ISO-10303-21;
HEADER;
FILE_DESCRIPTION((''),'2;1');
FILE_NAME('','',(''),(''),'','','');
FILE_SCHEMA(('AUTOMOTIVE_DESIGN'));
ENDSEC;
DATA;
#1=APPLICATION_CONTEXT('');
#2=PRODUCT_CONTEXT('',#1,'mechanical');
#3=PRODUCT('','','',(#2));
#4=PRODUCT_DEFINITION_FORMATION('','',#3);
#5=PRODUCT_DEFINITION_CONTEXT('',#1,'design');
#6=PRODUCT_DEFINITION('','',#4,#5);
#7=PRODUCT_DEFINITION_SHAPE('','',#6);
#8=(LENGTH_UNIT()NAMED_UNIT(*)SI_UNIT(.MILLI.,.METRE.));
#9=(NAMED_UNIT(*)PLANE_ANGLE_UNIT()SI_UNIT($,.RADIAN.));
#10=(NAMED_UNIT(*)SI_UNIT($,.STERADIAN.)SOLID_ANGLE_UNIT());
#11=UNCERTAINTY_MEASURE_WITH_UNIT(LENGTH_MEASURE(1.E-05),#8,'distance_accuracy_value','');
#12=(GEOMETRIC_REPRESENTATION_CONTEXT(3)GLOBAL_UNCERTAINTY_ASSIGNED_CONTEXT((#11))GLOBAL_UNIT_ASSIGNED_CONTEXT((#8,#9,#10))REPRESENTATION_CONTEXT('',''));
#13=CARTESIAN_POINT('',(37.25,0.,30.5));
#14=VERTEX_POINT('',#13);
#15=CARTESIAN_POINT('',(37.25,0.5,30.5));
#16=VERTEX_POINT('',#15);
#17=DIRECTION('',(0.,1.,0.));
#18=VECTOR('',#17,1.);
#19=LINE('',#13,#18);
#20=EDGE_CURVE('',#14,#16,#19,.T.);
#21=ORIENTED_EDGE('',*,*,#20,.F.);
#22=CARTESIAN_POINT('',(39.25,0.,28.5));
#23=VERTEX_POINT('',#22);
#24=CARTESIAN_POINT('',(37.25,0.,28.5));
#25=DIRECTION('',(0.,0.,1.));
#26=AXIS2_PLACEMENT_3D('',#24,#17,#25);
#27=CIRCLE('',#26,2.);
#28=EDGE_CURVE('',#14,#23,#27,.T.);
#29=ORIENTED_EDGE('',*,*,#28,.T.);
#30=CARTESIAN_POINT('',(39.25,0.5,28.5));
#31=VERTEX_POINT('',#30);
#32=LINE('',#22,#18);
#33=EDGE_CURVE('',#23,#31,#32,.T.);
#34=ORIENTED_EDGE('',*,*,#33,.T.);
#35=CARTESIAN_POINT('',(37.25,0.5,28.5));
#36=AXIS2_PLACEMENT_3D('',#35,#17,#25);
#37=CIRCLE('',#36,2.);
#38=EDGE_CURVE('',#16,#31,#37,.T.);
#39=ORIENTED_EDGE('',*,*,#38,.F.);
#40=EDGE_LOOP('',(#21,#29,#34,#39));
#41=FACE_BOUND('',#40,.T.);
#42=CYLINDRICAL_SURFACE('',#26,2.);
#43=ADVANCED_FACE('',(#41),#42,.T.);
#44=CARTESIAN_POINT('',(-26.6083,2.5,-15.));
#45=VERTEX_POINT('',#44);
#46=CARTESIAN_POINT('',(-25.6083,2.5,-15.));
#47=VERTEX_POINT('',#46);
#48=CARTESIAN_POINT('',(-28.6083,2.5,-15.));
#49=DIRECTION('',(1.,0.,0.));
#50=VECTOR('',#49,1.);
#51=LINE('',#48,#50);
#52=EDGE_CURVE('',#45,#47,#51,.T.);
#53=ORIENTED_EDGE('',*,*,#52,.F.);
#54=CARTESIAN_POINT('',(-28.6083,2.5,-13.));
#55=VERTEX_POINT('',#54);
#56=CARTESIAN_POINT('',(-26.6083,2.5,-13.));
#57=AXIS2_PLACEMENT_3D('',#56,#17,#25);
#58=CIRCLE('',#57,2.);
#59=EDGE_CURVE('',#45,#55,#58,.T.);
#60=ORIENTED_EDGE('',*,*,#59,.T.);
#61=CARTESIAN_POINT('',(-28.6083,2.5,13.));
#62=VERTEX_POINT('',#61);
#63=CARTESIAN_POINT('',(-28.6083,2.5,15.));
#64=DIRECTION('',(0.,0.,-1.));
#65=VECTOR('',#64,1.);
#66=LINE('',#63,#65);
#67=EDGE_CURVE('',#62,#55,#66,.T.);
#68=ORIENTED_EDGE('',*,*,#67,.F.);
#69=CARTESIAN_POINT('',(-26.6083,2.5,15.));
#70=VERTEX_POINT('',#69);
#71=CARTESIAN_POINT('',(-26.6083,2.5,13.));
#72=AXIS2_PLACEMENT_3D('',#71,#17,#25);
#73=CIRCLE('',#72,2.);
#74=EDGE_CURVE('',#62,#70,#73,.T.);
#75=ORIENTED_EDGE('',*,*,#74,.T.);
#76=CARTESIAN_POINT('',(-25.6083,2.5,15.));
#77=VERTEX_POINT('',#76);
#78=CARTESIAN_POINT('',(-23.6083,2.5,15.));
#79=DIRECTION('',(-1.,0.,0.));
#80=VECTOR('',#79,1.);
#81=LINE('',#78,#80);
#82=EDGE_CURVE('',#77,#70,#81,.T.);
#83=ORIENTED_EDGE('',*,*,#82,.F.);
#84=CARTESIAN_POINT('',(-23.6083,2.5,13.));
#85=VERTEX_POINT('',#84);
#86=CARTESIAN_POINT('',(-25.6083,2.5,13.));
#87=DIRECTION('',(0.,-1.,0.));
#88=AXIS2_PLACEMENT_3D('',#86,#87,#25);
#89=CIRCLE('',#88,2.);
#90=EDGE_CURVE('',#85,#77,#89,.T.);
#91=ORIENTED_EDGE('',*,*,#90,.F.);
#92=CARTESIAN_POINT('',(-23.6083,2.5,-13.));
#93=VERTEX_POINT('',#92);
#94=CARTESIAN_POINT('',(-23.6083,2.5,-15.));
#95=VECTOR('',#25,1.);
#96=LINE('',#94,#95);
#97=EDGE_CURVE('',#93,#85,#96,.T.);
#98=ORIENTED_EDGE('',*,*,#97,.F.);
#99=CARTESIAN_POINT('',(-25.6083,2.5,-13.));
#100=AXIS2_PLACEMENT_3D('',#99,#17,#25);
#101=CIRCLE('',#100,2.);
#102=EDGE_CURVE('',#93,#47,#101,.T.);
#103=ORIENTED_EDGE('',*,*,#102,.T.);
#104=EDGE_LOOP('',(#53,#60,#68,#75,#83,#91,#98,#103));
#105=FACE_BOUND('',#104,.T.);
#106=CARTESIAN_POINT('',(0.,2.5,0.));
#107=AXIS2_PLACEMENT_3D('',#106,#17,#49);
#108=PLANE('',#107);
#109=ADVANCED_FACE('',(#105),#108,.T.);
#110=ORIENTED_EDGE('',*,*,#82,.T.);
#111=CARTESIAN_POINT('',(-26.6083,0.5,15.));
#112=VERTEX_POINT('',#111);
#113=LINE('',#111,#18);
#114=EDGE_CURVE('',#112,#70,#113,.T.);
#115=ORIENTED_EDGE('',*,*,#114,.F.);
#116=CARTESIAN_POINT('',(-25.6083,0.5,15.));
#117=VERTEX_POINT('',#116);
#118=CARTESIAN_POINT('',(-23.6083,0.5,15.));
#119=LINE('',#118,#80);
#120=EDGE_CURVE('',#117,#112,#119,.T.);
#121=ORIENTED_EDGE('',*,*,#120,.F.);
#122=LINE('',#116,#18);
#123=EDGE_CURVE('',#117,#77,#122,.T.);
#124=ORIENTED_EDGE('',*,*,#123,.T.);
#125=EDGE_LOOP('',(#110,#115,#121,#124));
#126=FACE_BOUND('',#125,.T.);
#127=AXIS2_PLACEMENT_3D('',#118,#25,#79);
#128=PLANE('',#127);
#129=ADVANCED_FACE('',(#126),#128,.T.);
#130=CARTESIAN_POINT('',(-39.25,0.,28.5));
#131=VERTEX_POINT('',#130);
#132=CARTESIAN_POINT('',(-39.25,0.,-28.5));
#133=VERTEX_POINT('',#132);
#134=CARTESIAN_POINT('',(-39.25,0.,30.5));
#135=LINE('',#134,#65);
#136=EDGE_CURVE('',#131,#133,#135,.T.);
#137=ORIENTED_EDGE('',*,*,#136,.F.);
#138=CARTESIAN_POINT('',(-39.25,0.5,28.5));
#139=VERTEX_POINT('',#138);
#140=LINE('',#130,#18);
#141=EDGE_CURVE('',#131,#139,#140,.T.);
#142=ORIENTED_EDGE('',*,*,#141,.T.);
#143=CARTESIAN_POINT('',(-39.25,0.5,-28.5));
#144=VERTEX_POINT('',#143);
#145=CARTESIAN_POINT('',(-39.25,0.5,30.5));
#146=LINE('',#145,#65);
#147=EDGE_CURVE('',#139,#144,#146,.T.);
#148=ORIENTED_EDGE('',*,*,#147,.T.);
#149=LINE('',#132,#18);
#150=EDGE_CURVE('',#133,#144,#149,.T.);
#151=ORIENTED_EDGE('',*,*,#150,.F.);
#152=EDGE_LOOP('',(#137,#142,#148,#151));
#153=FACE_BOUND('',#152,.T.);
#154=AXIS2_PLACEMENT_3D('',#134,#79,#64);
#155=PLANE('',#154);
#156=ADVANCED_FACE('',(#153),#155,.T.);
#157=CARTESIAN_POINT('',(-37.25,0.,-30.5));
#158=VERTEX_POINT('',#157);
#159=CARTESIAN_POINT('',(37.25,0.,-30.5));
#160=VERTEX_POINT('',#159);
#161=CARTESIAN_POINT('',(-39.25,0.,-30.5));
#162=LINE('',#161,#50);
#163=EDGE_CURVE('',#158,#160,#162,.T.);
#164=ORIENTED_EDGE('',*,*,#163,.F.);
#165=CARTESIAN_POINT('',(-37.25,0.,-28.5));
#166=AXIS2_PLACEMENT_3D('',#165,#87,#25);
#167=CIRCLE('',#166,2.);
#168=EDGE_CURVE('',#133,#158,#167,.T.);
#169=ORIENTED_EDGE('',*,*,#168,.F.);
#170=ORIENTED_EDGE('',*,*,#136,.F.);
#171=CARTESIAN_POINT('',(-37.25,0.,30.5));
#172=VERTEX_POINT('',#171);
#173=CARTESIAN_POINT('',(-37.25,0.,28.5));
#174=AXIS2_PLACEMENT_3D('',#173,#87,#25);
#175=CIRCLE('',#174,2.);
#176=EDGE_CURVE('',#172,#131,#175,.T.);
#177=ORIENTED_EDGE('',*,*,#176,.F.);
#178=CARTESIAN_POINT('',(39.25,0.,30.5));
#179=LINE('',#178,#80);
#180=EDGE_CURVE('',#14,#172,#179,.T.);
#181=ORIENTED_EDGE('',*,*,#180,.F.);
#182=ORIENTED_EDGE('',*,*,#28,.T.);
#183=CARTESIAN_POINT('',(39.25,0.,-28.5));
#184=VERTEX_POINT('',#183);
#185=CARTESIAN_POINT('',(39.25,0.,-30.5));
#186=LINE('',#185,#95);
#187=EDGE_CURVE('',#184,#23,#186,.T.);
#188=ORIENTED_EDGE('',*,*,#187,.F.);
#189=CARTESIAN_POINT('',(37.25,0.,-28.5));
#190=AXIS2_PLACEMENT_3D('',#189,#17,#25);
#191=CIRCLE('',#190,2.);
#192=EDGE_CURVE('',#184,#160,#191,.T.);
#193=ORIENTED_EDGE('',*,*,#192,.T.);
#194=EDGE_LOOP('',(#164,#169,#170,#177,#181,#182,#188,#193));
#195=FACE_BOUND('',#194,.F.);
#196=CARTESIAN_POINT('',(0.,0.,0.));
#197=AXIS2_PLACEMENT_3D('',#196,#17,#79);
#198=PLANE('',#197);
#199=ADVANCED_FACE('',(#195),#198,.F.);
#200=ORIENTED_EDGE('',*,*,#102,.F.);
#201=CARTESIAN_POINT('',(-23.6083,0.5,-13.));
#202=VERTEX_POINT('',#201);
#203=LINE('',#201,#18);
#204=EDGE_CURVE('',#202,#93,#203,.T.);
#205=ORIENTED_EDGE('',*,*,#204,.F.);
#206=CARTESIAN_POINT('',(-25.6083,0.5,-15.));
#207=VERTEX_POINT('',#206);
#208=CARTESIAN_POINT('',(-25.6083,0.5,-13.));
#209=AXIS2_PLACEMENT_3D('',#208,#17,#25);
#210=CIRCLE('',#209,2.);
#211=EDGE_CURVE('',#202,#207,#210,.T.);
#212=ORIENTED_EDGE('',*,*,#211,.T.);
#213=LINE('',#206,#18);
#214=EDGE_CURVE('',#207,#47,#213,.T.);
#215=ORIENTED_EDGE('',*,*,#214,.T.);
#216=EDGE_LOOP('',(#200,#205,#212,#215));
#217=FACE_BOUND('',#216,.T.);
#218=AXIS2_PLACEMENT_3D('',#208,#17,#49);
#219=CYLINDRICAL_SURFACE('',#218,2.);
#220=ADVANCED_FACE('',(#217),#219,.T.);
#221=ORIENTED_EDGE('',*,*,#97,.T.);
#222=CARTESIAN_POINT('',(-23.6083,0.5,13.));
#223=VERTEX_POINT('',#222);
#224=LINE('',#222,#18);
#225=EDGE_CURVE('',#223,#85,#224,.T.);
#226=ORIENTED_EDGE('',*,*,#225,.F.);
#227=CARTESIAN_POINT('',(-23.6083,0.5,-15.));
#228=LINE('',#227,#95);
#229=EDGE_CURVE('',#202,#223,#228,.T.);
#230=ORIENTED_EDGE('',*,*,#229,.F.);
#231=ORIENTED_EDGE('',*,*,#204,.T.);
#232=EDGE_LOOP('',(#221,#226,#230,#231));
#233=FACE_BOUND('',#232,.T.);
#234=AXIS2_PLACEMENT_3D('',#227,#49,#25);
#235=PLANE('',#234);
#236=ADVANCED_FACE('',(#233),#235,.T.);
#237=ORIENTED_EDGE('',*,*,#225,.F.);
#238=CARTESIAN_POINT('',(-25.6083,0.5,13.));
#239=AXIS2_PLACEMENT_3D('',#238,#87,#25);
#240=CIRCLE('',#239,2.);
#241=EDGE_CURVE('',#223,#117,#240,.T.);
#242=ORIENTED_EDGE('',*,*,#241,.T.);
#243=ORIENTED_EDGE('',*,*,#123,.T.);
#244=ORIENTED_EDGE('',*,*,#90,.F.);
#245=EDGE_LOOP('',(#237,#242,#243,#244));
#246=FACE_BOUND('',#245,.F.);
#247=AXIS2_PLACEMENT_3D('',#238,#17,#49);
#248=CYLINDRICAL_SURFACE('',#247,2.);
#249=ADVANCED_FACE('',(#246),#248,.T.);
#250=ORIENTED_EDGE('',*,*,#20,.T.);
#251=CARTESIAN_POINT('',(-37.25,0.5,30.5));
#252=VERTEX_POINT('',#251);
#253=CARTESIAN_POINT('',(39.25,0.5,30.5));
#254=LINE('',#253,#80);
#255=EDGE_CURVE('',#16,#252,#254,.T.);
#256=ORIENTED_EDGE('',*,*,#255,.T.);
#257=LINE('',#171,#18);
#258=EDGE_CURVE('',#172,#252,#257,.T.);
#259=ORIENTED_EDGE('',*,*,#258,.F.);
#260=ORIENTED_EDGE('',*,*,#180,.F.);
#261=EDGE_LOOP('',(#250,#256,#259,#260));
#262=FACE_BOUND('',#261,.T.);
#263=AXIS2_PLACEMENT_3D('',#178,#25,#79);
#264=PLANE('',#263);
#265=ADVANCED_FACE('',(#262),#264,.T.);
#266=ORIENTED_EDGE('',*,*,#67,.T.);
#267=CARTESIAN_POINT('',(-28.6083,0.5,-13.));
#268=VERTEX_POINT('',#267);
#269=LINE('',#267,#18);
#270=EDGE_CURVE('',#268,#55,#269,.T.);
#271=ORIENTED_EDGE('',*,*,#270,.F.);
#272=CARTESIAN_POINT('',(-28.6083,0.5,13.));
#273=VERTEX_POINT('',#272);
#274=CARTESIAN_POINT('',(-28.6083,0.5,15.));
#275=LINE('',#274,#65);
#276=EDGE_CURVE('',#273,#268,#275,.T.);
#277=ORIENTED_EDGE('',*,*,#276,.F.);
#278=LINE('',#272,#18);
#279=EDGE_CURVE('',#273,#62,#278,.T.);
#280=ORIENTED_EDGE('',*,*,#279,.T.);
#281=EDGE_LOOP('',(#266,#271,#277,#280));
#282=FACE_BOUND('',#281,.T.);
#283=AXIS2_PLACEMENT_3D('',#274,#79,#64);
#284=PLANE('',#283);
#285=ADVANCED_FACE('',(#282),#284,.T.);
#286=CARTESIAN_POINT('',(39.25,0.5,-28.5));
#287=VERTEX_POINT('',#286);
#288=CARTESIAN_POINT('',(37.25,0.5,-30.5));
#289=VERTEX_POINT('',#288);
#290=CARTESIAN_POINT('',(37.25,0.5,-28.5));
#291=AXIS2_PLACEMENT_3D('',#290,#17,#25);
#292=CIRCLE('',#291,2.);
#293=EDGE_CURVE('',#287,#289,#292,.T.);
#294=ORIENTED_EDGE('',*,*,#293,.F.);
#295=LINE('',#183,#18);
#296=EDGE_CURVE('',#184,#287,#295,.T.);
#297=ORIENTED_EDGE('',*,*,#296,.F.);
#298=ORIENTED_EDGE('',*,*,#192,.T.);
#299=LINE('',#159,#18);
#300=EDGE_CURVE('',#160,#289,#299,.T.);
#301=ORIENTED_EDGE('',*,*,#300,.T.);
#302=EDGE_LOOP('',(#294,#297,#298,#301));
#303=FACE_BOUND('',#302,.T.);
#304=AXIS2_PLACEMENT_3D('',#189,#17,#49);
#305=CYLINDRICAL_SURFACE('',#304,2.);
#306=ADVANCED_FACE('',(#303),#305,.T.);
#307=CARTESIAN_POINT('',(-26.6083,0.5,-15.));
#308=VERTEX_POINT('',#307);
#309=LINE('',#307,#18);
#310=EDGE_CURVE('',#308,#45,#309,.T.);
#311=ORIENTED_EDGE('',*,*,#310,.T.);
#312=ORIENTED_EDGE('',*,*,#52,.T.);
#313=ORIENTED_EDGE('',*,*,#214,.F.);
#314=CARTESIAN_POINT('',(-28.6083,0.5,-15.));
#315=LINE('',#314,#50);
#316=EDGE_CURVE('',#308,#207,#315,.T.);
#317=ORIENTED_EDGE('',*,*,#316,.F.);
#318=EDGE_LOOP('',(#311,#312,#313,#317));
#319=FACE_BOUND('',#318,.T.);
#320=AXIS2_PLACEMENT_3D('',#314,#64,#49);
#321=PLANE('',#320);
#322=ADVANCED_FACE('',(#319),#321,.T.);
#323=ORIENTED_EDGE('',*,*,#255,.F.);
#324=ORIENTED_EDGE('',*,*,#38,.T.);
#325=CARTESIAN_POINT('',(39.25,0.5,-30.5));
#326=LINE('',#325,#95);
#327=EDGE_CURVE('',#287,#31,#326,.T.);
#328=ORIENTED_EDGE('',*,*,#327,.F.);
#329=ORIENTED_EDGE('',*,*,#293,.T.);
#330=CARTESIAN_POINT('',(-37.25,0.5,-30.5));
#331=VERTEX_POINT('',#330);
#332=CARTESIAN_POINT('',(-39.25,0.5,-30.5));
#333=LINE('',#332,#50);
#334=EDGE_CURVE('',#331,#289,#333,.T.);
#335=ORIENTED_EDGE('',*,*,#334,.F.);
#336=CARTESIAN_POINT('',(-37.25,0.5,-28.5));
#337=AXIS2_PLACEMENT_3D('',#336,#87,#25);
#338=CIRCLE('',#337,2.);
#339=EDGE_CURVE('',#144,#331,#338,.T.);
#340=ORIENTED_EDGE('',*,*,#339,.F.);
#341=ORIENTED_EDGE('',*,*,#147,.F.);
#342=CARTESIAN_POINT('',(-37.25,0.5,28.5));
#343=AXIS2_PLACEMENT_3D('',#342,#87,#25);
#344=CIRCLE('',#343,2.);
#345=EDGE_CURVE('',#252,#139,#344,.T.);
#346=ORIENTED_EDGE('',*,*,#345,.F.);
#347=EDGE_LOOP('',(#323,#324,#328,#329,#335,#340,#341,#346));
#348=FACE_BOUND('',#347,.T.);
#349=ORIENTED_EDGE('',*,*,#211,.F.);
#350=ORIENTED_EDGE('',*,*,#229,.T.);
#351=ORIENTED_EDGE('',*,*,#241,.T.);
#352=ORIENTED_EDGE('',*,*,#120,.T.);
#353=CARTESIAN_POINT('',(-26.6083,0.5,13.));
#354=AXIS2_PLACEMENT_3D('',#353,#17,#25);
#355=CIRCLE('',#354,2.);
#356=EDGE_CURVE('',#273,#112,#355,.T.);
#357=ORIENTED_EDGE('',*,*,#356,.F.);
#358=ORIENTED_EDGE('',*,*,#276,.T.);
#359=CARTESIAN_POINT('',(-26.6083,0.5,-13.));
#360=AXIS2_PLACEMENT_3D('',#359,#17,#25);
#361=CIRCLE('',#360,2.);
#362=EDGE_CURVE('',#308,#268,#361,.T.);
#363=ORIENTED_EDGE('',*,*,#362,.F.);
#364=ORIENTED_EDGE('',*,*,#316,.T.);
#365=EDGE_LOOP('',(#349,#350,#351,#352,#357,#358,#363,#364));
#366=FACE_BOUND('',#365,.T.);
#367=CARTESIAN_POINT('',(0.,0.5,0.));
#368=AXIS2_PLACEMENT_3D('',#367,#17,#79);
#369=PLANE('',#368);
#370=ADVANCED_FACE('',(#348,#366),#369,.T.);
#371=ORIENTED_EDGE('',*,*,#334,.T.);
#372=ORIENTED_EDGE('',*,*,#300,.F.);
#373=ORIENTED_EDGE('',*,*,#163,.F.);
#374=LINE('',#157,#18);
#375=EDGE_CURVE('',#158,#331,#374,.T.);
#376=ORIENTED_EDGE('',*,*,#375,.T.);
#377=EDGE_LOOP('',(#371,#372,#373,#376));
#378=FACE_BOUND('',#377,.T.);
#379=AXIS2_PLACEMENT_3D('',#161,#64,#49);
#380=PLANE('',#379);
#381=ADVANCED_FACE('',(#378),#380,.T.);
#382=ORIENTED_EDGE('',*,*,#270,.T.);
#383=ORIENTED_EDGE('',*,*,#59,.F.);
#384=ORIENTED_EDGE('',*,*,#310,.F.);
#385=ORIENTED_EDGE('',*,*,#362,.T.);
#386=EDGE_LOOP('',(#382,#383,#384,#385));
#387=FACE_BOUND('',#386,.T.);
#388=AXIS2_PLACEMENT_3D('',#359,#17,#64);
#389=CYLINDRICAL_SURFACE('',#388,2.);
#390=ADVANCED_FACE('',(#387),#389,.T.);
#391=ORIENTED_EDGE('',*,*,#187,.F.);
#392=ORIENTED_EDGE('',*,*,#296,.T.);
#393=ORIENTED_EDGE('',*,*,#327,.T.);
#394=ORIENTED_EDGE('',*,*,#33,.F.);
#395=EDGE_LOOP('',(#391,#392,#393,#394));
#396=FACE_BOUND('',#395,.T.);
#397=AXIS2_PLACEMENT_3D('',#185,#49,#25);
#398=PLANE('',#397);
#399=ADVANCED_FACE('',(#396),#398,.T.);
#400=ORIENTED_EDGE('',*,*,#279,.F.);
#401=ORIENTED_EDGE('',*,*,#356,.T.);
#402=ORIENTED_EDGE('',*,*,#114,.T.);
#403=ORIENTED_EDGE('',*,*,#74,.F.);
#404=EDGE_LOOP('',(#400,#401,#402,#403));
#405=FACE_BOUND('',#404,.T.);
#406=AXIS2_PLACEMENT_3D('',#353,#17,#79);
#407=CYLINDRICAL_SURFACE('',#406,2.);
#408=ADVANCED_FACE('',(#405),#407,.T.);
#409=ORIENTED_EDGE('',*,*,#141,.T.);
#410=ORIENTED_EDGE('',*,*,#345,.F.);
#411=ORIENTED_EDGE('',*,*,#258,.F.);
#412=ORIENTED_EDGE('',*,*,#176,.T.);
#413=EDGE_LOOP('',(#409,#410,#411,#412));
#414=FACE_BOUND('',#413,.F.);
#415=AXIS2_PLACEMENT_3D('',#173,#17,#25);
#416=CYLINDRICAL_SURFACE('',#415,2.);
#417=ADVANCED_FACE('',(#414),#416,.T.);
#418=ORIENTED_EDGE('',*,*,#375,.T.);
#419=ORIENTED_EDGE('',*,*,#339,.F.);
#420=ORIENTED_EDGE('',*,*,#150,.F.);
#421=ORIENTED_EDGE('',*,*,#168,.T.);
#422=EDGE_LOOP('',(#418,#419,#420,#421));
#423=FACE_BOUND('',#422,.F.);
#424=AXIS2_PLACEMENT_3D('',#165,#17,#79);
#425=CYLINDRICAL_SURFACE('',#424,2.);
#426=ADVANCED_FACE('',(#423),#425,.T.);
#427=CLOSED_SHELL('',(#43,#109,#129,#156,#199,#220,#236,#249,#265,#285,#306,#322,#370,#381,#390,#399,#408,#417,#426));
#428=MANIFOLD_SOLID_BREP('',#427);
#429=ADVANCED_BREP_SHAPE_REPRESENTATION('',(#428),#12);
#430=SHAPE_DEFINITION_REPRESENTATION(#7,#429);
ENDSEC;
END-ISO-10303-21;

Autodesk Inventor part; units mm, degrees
ref_plane "YZ Plane" through (0, 0, 0) normal (1, 0, 0) x (0, 1, 0)
ref_plane "XZ Plane" through (0, 0, 0) normal (0, 1, 0) x (-1, 0, 0)
ref_plane "XY Plane" through (0, 0, 0) normal (0, 0, 1) x (1, 0, 0)
sketch "Sketch3" plane through (0, 0, 0) normal (0, 1, 0) x (-1, 0, 0)
  line L0 (-39.25, 30.5) -> (39.25, 30.5)
  line L1 (39.25, 30.5) -> (39.25, -30.5)
  line L2 (39.25, -30.5) -> (-39.25, -30.5)
  line L3 (-39.25, -30.5) -> (-39.25, 30.5)
  line L4 (-39.25, 30.5) -> (39.25, -30.5) construction
  line L5 (39.25, 30.5) -> (-39.25, -30.5) construction
  point P0 (0, 0)
  dimension "d0" = 78.5
  dimension "d1" = 61
extrude "Extrusion1" add sketch "Sketch3" along normal blind 0.5
sketch "Sketch4" plane through (0, 0.5, 0) normal (0, 1, 0) x (1, 0, 0)
  line L0 (-23.6083, -15) -> (-28.6083, -15)
  line L1 (-28.6083, -15) -> (-28.6083, 15)
  line L2 (-28.6083, 15) -> (-23.6083, 15)
  line L3 (-23.6083, 15) -> (-23.6083, -15)
  line L4 (-23.6083, -15) -> (-28.6083, 15) construction
  line L5 (-28.6083, -15) -> (-23.6083, 15) construction
  point P0 (0, 0)
  point P1 (-26.1083, 0)
  dimension "d4" = 5
  dimension "d5" = 30
extrude "Extrusion2" add sketch "Sketch4" along normal blind 2
fillet "Fillet1" radius 2 4 edges at (-28.6083, 1.5, 15) (-23.6083, 1.5, 15) (-28.6083, 1.5, -15) (-23.6083, 1.5, -15)
fillet "Fillet2" radius 2 4 edges at (-39.25, 0.25, 30.5) (39.25, 0.25, 30.5) (39.25, 0.25, -30.5) (-39.25, 0.25, -30.5)
properties part number "Tutup Pzem test1"
